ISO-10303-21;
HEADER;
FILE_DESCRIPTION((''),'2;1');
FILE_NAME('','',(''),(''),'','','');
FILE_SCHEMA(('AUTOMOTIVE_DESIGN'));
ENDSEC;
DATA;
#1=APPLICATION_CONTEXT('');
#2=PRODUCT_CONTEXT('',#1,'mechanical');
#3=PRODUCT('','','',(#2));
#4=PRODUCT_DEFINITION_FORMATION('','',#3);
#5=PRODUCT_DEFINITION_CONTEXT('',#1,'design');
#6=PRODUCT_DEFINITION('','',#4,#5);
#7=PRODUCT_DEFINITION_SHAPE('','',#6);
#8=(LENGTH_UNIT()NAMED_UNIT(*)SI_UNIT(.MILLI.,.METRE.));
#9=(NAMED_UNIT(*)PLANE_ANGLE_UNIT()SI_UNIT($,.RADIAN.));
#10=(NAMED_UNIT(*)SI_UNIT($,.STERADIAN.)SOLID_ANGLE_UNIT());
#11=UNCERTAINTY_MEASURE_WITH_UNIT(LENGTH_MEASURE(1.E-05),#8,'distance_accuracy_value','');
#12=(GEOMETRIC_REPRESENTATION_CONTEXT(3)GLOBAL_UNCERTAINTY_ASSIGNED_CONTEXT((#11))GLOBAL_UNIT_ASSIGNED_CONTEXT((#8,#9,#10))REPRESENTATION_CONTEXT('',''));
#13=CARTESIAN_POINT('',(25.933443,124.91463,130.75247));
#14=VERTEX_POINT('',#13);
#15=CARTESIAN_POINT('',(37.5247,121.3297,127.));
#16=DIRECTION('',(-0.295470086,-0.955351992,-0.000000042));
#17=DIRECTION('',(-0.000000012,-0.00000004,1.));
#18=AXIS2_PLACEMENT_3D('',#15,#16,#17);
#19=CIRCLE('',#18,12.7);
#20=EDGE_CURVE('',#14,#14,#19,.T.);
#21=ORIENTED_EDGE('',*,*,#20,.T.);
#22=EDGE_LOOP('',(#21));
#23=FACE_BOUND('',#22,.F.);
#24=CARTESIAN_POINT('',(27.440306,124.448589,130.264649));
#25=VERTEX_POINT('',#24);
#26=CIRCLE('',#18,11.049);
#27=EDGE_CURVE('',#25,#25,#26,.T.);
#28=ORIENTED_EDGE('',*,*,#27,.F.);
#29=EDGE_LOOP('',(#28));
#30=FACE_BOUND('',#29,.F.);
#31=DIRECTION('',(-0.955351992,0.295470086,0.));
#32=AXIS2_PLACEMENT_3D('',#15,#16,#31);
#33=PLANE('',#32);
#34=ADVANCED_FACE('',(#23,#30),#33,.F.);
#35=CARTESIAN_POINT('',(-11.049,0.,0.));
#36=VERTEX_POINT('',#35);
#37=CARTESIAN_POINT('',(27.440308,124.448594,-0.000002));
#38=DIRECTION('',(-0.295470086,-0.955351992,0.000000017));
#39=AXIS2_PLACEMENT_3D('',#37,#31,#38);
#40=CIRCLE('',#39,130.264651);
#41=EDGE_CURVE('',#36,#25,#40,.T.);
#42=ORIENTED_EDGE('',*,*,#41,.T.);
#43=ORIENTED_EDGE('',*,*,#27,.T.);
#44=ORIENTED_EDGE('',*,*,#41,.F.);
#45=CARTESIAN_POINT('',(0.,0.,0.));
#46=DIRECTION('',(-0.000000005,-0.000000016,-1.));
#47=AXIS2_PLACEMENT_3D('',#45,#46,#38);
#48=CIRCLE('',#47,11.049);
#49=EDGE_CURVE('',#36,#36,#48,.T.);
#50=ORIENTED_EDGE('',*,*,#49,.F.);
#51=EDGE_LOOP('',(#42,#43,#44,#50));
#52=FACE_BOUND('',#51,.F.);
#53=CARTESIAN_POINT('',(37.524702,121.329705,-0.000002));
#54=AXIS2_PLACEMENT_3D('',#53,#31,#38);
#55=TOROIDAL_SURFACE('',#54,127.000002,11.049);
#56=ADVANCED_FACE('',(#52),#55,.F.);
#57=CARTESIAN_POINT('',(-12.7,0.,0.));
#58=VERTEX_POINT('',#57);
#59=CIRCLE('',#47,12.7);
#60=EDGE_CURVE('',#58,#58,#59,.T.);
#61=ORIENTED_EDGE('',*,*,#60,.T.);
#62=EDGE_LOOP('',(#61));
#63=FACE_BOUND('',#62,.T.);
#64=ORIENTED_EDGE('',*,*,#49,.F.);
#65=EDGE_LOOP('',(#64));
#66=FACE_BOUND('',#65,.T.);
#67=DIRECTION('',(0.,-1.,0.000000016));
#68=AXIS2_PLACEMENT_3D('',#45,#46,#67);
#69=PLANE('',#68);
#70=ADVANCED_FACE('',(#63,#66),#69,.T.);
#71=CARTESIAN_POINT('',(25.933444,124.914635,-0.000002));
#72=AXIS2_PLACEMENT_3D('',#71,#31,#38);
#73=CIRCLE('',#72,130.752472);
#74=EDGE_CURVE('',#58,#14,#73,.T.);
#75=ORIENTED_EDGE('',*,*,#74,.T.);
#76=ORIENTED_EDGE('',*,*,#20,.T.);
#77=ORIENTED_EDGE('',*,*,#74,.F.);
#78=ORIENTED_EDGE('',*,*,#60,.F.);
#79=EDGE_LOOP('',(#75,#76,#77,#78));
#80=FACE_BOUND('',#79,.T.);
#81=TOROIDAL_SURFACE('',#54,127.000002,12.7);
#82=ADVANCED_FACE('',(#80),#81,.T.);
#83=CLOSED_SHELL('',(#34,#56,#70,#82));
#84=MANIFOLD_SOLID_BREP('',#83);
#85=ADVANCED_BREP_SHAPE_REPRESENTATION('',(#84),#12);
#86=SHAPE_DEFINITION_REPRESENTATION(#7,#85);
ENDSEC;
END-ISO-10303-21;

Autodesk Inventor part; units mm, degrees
sketch "Sketch" plane through (0, 0, 0) normal (0, 0, -1) x (-1, 0, 0)
  circle A0 centre (0, 0) radius 12.7
  circle A1 centre (0, 0) radius 11.049
  dimension "d0" = 25.4
  dimension "d1" = 1.651
ref_plane "Start Plane" through (0, 0, 0) normal (1, 0, 0) x (0, 1, 0)
ref_plane "End Plane" through (199.4911, 0, 0) normal (1, 0, 0) x (0, 1, 0)
sketch "Sketch2" plane through (0, 0, 0) normal (1, 0, 0) x (0, 1, 0)
  line L0 (0, 0) -> (10, 0)
ref_plane "Work Plane3" through (0, 0, 0) normal (0, 0, -1) x (0, 1, 0)
sketch "Sketch3" plane through (0, 0, 0) normal (0, 0, -1) x (0, 1, 0)
  line L0 (-2, 0) -> (12, 0)
  line L1 (-40.2564, 199.4911) -> (152.6386, 199.4911)
  dimension "d9" = 199.4911
ref_plane "Orientation Work Plane" through (0, 0, 0) normal (0, 0, -1) x (-1, 0, 0)
sketch3d "Sweep Path"
  arc A0 (0, 0, 0) -> (37.5247, 121.3297, 127) centre (37.5247, 121.3297, 0) ccw
sweep "Body" add profiles "Sketch" path "Sweep Path"
equation "\"G_OFFSET_START\" = 0"
equation "\"G_OFFSET_END\" = 0"
equation "\"d5\" = d2 + G_OFFSET_END"
equation "\"G_L\" = d9"
equation "\"d2\" = 199.491133"
properties part number "4130_1x0.065" material "Steel, Alloy"
